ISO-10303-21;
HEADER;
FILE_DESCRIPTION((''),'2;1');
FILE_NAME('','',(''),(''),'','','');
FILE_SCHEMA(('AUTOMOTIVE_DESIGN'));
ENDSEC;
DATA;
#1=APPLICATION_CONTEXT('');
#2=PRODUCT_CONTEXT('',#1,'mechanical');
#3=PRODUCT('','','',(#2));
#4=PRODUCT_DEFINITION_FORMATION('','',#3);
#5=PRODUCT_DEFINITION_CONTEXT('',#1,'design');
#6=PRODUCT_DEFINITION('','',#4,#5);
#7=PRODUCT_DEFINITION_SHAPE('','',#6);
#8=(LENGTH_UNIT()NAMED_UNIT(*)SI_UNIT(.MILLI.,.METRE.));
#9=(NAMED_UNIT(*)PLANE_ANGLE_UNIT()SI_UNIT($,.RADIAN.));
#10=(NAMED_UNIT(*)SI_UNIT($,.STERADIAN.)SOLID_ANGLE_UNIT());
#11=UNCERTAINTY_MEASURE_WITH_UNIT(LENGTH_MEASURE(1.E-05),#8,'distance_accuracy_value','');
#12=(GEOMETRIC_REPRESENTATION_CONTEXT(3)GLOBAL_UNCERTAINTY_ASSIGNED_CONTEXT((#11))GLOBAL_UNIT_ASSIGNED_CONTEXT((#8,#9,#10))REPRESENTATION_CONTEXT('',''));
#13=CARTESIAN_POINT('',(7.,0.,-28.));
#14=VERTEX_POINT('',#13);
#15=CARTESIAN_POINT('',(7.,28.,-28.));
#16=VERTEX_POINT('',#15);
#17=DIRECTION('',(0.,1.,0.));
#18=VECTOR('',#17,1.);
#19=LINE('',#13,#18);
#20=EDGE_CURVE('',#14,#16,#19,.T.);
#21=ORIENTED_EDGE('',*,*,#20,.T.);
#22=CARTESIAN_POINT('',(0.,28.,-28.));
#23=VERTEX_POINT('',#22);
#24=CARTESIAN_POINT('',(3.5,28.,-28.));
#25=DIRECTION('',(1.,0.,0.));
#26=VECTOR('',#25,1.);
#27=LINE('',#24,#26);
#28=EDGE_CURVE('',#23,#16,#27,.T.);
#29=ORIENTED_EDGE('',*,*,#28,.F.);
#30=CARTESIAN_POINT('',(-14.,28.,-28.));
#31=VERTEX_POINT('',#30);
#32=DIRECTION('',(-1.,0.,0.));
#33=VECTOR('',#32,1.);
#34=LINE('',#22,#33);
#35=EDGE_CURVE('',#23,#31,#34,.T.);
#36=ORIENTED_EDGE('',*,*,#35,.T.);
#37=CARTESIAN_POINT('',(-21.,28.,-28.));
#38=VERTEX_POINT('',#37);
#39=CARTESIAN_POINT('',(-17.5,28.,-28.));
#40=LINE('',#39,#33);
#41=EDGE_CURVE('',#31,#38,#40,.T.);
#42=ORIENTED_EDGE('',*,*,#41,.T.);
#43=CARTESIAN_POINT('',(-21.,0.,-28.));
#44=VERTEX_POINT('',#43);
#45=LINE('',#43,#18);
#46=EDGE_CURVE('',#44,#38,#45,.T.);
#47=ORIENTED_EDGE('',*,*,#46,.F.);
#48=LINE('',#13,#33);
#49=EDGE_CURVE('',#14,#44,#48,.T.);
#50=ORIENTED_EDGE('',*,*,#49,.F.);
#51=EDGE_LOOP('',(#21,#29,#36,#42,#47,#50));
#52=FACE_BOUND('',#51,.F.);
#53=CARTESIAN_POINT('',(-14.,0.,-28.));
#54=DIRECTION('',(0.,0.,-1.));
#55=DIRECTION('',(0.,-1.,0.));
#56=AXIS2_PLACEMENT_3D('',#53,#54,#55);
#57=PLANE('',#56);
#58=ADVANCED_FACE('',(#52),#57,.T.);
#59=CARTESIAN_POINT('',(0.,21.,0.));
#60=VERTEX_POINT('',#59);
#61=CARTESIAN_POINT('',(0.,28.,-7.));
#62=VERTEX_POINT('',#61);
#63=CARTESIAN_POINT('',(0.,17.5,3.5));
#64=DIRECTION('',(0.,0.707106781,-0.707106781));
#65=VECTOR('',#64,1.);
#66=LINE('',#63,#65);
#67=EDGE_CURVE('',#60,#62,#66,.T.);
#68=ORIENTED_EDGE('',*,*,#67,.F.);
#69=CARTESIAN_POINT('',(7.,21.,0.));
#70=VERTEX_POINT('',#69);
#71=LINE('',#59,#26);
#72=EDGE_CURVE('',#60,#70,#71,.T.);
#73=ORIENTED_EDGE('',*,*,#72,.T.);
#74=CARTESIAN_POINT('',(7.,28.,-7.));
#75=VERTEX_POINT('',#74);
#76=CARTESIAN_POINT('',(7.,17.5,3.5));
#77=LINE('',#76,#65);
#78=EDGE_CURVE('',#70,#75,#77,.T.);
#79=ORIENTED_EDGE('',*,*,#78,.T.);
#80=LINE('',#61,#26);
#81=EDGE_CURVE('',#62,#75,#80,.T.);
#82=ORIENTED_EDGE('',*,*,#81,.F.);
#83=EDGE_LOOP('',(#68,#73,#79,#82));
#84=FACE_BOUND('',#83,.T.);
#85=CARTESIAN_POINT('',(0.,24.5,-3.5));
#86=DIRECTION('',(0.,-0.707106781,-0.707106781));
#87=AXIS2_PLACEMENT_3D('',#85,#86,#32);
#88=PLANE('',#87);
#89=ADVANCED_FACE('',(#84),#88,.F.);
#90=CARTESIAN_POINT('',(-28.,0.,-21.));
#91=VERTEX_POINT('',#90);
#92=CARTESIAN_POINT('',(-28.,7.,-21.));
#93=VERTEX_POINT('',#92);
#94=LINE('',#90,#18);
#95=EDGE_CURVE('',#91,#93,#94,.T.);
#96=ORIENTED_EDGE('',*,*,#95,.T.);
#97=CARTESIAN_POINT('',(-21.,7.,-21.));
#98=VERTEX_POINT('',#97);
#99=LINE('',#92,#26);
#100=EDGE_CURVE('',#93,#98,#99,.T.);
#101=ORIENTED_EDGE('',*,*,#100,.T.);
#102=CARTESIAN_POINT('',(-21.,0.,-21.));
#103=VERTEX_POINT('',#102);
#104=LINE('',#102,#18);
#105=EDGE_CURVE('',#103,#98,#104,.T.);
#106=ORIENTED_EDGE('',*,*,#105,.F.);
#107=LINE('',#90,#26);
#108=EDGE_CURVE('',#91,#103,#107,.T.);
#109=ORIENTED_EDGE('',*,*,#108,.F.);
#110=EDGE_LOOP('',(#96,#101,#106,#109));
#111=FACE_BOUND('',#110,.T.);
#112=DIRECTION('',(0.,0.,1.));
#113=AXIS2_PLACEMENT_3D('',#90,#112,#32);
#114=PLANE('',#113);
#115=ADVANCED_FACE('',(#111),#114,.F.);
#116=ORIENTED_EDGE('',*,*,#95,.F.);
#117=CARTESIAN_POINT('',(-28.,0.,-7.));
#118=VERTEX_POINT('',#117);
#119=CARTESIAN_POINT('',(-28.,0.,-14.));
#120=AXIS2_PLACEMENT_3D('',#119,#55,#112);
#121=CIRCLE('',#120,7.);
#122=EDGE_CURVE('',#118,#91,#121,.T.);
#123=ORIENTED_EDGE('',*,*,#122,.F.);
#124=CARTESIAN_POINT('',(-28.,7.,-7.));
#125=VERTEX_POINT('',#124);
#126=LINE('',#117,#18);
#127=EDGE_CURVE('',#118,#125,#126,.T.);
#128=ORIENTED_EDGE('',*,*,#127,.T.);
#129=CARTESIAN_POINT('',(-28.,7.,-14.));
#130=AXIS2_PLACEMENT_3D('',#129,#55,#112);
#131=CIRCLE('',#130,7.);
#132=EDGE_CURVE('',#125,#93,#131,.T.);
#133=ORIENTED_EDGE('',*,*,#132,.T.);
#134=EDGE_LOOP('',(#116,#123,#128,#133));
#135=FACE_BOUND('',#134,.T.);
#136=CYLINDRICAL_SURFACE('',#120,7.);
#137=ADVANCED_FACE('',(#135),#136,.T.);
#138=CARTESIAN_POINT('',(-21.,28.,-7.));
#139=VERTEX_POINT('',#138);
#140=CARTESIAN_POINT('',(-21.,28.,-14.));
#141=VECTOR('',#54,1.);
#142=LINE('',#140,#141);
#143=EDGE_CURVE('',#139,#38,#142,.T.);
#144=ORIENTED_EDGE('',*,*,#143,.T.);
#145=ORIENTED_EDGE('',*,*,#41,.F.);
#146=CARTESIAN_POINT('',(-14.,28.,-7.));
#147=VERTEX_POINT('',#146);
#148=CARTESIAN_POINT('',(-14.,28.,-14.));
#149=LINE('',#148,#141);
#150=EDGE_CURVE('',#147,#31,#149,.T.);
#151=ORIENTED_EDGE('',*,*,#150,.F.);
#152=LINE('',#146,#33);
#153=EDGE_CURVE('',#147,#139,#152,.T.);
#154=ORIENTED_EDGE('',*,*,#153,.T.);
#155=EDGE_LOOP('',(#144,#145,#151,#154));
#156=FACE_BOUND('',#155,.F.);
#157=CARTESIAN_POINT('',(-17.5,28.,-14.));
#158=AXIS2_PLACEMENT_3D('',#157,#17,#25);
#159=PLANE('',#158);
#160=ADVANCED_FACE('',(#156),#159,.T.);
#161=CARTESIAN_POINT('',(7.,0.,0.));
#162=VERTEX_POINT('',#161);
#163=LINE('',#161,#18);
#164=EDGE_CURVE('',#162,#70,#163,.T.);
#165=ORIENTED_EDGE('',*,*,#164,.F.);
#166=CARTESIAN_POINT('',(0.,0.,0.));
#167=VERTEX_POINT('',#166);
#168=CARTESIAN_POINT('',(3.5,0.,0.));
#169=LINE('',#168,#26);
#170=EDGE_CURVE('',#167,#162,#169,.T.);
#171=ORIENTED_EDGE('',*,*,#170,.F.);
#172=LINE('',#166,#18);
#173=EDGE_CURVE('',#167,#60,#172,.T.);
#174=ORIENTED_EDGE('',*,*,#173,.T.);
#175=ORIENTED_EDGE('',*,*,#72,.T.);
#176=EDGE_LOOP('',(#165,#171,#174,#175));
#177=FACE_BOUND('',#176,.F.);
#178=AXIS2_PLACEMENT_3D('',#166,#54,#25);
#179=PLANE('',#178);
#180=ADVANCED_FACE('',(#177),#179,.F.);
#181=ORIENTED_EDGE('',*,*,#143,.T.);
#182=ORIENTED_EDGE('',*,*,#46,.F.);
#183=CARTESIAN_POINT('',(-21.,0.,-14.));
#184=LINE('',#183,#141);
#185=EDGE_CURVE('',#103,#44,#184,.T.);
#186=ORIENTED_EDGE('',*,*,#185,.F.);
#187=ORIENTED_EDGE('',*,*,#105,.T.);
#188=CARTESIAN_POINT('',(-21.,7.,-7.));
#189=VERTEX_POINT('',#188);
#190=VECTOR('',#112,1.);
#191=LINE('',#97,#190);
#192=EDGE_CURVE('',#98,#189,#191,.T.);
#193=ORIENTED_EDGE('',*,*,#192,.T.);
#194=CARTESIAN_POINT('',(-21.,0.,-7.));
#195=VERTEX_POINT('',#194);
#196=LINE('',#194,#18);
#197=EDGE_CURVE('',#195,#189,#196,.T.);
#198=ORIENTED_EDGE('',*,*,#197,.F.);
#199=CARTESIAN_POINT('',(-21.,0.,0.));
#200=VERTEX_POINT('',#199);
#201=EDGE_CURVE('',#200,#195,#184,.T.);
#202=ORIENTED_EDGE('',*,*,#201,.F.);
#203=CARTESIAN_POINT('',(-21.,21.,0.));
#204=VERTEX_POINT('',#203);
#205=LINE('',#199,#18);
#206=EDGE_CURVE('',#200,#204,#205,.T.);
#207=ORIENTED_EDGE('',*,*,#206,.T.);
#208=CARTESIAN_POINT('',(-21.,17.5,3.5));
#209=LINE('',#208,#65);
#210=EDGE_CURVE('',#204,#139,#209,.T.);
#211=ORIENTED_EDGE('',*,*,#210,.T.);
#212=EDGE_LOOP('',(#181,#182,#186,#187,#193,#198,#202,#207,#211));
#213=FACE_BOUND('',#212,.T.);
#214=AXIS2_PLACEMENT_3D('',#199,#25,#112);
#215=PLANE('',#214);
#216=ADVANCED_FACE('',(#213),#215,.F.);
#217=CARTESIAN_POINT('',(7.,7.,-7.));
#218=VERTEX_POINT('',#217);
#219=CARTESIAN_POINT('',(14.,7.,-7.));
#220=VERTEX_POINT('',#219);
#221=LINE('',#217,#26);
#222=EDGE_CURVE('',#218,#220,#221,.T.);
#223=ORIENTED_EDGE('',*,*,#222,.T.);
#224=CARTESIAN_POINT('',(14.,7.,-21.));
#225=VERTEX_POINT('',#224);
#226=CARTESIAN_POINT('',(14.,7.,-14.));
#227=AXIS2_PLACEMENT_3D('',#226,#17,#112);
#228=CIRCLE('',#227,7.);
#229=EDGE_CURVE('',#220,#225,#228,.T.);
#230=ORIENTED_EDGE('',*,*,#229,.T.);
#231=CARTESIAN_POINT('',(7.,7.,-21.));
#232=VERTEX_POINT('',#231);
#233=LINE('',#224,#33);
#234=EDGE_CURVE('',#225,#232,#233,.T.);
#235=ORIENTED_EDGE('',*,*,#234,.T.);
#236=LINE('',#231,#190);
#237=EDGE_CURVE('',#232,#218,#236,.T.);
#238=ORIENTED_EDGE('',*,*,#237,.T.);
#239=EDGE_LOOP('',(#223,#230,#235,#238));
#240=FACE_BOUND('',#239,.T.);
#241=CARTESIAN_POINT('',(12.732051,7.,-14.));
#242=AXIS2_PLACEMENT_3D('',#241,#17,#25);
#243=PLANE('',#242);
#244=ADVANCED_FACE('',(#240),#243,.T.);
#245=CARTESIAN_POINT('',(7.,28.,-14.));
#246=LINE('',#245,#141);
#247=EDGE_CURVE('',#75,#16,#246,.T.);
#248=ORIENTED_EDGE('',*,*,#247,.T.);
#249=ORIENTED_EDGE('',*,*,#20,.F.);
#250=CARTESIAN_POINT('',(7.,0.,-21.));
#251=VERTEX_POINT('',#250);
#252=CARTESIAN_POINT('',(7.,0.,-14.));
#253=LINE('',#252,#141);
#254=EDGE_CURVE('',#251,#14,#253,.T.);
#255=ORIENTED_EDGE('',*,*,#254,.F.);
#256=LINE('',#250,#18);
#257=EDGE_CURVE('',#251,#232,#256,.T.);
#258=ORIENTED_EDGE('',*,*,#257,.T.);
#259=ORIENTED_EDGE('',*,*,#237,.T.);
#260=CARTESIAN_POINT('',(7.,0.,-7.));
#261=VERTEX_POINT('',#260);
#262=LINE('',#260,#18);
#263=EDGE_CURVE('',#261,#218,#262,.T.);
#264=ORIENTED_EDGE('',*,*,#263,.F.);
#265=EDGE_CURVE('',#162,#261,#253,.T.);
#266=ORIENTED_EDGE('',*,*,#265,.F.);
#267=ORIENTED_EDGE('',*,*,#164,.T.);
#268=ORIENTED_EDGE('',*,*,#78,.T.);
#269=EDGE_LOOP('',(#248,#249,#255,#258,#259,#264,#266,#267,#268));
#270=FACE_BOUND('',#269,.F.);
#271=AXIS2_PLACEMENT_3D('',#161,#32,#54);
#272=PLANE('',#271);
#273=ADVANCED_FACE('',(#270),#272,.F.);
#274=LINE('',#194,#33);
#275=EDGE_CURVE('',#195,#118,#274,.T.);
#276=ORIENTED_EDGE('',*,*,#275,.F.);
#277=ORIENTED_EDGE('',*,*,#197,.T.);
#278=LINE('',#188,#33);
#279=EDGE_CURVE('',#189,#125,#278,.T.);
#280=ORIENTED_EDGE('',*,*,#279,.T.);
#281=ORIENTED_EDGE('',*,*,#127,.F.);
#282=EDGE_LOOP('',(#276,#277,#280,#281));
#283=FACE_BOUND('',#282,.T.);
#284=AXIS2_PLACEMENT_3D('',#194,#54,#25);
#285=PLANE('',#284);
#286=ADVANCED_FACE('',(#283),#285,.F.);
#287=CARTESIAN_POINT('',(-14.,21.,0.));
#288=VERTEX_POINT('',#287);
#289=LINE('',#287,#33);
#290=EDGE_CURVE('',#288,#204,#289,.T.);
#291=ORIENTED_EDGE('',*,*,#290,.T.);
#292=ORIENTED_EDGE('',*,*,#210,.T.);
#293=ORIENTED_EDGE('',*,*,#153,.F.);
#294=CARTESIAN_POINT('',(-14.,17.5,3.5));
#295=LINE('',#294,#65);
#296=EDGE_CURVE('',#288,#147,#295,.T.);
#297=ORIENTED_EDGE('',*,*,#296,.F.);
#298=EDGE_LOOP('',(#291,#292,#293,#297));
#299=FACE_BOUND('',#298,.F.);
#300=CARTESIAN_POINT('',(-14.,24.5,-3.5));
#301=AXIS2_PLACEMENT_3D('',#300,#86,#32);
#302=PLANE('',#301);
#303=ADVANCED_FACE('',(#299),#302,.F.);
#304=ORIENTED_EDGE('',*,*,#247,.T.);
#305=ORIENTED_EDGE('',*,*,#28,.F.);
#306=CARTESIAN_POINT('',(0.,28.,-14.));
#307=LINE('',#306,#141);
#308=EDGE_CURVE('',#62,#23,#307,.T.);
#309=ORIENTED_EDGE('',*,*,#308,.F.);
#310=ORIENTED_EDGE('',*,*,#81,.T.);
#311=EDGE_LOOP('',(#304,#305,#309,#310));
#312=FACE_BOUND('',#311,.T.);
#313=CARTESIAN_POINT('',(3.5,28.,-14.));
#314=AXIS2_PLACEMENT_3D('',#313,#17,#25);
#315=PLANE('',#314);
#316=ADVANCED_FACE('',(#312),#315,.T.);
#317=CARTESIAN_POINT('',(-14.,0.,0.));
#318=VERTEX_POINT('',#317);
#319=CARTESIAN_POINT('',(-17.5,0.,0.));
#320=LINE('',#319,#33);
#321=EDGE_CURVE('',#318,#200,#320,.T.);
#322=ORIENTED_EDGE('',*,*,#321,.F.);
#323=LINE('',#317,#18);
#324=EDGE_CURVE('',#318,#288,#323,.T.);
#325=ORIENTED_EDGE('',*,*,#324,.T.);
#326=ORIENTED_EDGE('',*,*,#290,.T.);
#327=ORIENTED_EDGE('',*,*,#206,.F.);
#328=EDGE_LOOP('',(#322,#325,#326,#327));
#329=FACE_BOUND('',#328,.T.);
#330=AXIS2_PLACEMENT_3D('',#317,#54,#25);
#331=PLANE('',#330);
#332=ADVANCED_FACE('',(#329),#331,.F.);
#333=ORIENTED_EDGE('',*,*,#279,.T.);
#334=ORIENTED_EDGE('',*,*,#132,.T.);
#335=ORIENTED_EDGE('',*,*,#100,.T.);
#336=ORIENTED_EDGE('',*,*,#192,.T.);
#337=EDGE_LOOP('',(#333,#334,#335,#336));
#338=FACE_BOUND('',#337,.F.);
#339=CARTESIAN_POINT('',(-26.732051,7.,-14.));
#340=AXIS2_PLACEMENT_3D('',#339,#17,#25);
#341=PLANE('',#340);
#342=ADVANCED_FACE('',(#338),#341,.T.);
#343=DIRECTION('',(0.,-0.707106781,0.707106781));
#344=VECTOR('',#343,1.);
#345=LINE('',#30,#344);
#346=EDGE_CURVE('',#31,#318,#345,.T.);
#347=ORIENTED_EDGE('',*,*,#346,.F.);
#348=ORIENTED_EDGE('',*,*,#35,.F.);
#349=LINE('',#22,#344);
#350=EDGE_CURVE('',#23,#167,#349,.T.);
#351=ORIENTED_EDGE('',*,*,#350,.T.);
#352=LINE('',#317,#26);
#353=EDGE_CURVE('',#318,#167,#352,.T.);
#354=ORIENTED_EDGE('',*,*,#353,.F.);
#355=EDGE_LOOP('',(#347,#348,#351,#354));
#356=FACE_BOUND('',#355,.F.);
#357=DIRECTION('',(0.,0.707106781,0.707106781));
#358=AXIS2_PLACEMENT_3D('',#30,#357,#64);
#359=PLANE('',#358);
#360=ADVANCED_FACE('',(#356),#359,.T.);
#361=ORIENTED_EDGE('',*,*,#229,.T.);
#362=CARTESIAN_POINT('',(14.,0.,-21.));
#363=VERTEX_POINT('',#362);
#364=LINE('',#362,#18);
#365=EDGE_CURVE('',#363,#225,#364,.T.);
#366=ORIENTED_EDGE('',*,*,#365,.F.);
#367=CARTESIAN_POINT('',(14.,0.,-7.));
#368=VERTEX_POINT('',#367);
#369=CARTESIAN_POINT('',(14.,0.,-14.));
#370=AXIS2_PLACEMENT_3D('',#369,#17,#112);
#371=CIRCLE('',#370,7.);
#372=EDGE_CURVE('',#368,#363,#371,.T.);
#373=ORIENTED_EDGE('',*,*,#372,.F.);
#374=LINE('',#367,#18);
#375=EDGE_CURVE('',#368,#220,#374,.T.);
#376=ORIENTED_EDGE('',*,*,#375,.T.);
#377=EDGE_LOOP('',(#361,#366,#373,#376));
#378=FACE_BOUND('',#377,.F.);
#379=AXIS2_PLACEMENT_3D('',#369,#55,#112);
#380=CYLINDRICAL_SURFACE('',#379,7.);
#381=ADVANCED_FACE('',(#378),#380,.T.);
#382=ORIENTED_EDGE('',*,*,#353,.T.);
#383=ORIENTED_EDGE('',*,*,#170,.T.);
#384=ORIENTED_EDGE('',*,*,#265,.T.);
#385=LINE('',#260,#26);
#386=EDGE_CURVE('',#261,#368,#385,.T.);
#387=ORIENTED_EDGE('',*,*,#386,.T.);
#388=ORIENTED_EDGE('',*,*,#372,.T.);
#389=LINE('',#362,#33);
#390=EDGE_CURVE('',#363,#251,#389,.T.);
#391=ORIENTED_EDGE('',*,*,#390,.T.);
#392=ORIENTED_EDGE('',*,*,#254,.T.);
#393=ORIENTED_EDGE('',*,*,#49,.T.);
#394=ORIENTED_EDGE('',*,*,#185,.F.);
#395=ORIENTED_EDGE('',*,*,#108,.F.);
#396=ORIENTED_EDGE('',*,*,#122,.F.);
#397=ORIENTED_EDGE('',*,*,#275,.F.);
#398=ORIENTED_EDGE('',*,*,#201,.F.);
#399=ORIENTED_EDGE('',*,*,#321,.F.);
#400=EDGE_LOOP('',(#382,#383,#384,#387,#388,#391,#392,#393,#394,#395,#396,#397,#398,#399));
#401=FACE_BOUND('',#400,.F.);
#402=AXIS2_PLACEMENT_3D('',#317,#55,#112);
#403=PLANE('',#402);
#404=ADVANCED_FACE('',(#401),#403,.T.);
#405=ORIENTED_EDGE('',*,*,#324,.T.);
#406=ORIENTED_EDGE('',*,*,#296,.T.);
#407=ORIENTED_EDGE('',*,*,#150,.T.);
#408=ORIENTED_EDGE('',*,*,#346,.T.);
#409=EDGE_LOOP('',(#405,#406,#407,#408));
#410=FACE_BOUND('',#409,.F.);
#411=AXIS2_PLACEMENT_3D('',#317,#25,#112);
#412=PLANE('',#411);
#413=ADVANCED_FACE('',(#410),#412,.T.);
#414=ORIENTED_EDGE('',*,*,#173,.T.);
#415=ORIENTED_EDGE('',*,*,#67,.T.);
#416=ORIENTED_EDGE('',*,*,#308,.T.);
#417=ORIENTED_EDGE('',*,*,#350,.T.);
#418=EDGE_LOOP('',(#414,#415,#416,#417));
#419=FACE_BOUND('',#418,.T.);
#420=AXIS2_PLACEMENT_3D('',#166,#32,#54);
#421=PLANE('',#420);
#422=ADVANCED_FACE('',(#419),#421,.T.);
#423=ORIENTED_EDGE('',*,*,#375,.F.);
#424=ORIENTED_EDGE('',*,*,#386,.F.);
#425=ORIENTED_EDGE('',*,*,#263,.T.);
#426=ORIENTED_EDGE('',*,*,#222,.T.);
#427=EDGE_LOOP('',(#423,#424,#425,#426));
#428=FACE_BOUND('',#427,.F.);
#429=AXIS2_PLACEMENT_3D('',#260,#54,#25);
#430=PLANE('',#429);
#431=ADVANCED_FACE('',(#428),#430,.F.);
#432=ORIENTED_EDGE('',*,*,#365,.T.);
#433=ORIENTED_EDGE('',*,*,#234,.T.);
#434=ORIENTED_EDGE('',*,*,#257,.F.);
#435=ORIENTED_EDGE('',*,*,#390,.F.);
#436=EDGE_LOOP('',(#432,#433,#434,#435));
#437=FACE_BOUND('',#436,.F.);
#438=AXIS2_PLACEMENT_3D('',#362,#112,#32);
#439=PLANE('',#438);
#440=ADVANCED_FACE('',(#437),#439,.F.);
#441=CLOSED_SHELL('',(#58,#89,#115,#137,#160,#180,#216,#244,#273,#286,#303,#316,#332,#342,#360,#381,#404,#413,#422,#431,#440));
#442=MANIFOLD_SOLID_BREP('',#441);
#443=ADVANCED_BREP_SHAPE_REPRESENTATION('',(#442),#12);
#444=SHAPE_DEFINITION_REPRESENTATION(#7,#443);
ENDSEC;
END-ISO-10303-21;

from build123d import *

# Parameters (mm, degrees)
SKETCH1_W           = 7
SKETCH1_H           = 28
BOSS_EXTRUDE1_DEPTH = 28
BOSS_EXTRUDE2_DEPTH = 7
CHAMFER1_SIZE       = 7
BOSS_EXTRUDE3_DEPTH = 7


with BuildPart() as part:
    # Sketch1 → Boss-Extrude1 (new body)
    with BuildSketch(Plane(origin=(0, 0, 0), x_dir=(1, 0, 0), z_dir=(0, 1, 0))):
        with Locations((3.5, 14)):
            Rectangle(SKETCH1_W, SKETCH1_H)
    extrude(amount=BOSS_EXTRUDE1_DEPTH)

    # Sketch1<3> → Boss-Extrude2 (add)
    with BuildSketch(Plane(origin=(0, 0, 0), x_dir=(1, 0, 0), z_dir=(0, 1, 0))):
        with BuildLine():
            Line((7, 21), (7, 7))
            Line((7, 7), (14, 7))
            ThreePointArc((14, 7), (21, 14), (14, 21))
            Line((14, 21), (7, 21))
        make_face()
    extrude(amount=BOSS_EXTRUDE2_DEPTH)

    # Chamfer1
    chamfer1_edges = [part.edges().sort_by_distance(p)[0] for p in [
        (3.5, 28, 0),
    ]]
    chamfer(chamfer1_edges, length=CHAMFER1_SIZE)

    # Sketch2 → Boss-Extrude3 (add)
    with BuildSketch(Plane.ZY):
        Polygon((-28, 28), (0, 0), (-28, 0), align=None)
    extrude(amount=BOSS_EXTRUDE3_DEPTH)

    # Mirror1: part across plane


with BuildPart() as part_1:
    add(part.part)
    add(part.part.mirror(Plane(origin=(-7, 0, 0), x_dir=(0, 0, 1), z_dir=(1, 0, 0))))


solid = part_1.part
